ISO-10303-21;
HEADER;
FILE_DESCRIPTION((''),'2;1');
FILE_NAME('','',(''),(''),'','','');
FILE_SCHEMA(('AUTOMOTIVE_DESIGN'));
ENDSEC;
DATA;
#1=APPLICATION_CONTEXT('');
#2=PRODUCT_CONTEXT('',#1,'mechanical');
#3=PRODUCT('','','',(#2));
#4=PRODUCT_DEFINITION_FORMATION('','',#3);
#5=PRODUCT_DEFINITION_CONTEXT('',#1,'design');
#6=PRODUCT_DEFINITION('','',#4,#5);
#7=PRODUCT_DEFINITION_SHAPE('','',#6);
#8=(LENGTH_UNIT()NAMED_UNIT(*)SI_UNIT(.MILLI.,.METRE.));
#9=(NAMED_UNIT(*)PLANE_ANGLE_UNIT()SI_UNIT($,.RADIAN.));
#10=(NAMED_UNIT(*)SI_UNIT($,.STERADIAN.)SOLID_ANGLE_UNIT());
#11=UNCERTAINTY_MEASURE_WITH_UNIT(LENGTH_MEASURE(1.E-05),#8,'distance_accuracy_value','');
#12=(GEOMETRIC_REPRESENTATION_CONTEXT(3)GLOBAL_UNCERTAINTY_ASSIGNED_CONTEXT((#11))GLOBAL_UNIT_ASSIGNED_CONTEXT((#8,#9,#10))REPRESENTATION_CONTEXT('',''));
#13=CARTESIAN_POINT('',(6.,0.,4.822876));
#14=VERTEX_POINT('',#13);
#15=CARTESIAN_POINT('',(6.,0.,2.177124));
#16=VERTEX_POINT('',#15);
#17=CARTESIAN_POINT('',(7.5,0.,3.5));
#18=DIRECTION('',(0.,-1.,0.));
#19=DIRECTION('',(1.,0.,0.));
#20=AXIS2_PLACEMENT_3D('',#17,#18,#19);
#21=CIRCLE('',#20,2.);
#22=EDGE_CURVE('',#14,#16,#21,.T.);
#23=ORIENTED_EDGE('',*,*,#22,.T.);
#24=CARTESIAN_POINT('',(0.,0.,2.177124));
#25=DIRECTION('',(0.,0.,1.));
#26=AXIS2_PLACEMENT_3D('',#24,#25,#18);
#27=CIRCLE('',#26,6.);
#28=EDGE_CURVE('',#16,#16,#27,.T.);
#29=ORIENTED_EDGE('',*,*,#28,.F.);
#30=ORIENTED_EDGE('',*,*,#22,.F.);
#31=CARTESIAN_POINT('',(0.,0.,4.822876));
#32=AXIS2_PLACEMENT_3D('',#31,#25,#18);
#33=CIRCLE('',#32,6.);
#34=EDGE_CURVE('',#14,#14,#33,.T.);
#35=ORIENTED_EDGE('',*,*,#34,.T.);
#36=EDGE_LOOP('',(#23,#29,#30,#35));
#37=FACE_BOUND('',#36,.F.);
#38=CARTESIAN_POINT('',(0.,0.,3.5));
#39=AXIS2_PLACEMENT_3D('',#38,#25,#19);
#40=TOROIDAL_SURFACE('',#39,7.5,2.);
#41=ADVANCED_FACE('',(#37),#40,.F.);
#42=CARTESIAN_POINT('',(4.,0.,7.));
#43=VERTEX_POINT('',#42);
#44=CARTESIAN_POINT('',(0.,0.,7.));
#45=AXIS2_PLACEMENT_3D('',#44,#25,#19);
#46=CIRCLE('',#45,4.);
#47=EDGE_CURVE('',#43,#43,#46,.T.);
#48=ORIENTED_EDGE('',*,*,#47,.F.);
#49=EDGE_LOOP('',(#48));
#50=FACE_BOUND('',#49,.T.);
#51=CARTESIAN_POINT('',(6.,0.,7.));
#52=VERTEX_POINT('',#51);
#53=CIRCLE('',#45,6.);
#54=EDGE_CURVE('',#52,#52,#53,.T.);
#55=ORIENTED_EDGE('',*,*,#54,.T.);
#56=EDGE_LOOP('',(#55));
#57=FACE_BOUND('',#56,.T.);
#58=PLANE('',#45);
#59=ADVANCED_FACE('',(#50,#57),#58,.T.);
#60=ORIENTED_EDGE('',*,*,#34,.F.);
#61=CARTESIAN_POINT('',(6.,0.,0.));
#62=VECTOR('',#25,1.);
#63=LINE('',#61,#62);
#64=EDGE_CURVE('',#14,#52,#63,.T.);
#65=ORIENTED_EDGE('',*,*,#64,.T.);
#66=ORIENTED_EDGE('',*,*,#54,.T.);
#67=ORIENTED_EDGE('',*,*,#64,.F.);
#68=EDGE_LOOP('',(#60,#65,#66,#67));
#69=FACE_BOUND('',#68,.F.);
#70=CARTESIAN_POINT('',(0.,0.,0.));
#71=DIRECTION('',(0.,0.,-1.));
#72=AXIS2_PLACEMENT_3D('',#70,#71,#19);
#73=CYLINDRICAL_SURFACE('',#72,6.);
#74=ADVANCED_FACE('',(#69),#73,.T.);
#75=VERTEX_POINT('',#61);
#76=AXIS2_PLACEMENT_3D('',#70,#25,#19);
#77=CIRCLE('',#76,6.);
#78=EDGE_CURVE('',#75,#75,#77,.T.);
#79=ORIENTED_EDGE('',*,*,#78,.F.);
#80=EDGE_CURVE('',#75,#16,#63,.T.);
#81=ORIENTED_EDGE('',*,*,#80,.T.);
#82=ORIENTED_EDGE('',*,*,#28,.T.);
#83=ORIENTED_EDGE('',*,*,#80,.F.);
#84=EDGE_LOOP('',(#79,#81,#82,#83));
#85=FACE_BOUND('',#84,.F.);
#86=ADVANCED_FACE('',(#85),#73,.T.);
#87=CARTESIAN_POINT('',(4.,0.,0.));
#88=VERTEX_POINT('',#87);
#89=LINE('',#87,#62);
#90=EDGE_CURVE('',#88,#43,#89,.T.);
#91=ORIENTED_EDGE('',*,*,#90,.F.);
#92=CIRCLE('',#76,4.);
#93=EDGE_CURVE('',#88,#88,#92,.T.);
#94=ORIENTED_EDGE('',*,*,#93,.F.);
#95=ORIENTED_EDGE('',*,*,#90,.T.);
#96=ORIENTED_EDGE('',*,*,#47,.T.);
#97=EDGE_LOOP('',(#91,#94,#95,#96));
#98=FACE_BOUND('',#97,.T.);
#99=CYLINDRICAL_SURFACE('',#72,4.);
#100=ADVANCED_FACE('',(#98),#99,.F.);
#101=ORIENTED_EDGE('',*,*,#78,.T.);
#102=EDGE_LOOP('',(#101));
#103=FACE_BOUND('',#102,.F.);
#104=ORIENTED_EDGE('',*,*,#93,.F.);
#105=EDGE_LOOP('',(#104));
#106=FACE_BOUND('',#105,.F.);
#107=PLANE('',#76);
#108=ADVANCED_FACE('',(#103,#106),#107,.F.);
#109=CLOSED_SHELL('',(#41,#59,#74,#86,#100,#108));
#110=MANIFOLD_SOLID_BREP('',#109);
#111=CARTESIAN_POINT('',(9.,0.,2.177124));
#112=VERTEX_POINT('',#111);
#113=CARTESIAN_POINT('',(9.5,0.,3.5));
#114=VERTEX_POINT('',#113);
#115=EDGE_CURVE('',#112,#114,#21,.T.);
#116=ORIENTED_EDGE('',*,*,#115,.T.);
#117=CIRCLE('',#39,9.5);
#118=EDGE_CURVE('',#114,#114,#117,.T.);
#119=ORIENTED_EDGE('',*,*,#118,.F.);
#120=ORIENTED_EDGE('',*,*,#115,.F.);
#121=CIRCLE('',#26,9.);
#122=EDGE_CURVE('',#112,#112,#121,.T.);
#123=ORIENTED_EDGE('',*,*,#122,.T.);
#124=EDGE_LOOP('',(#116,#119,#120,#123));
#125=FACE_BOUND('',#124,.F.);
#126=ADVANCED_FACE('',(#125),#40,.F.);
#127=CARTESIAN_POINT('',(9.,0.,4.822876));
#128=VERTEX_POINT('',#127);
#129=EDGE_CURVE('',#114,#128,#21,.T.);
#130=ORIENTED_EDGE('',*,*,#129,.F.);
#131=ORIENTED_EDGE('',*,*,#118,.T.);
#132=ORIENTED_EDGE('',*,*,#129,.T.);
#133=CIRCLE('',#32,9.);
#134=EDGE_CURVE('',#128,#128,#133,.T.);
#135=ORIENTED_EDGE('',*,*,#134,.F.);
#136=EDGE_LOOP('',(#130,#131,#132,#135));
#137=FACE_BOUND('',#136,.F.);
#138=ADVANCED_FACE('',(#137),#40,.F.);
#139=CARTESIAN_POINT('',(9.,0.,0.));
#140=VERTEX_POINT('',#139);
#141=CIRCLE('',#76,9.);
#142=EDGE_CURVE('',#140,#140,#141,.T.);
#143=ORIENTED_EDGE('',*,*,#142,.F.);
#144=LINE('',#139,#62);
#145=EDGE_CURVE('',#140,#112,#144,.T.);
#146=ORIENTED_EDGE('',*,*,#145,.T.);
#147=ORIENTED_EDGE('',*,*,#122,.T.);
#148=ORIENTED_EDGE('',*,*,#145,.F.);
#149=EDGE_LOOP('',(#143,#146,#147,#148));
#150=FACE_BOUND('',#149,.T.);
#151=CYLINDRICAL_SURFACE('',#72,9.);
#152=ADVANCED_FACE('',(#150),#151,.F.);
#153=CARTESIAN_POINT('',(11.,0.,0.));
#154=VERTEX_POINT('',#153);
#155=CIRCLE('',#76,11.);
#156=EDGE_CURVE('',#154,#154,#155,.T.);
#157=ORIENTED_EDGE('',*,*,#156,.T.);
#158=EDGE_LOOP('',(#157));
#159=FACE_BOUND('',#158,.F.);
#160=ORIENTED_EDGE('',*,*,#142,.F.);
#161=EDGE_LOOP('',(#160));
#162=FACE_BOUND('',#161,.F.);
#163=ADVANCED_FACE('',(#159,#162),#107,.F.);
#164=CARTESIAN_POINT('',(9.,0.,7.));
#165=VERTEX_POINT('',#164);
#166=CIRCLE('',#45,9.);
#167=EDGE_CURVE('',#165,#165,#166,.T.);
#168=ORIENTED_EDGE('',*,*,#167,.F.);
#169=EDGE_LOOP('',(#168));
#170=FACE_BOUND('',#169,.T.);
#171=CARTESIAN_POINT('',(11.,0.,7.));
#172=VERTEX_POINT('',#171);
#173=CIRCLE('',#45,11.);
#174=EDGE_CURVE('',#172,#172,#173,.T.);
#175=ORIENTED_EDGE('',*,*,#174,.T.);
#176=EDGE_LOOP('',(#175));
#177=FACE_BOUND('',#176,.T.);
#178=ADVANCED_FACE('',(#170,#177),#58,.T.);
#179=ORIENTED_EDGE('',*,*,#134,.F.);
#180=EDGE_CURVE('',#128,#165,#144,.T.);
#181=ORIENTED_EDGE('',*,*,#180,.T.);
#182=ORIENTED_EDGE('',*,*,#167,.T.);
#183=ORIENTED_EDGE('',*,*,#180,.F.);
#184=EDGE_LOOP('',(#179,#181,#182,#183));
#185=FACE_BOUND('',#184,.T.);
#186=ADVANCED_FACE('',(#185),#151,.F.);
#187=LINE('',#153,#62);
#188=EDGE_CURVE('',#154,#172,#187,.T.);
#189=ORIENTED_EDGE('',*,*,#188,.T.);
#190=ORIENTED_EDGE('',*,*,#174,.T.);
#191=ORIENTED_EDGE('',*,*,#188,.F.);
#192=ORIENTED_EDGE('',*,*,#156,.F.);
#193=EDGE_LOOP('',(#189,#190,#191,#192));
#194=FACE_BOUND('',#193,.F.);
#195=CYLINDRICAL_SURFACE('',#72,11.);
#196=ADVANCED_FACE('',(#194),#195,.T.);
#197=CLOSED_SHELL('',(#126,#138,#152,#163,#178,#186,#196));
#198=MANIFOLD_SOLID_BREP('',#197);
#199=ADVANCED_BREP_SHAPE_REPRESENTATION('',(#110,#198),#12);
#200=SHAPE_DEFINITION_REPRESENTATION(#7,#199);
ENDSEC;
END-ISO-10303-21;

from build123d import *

# Parameters (mm, degrees)
TORUS_R           = 2
CYLINDER003_R     = 6
CYLINDER003_DEPTH = 7
CYLINDER002_R     = 9
CYLINDER002_DEPTH = 7
CYLINDER001_R     = 4
CYLINDER001_DEPTH = 7
CYLINDER_R        = 11
CYLINDER_DEPTH    = 7


with BuildPart() as torus:
    # Torus → Torus (revolve)
    with BuildSketch(Plane(origin=(0, 0, 3.5), x_dir=(1, 0, 0), z_dir=(0, -1, 0))):
        with Locations((7.5, 0)):
            Circle(TORUS_R)
    revolve(axis=Axis((0, 0, 3.5), (0, 0, 1)))


with BuildPart() as cylinder003:
    # Cylinder003 → Cylinder003 (new body)
    with BuildSketch(Plane.XY):
        Circle(CYLINDER003_R)
    extrude(amount=CYLINDER003_DEPTH)


with BuildPart() as cut005:
    # Cylinder002 → Cylinder002 (new body)
    with BuildSketch(Plane.XY):
        Circle(CYLINDER002_R)
    extrude(amount=CYLINDER002_DEPTH)

    # Cut005: cut Cylinder003
    add(cylinder003.part, mode=Mode.SUBTRACT)


with BuildPart() as cylinder001:
    # Cylinder001 → Cylinder001 (new body)
    with BuildSketch(Plane.XY):
        Circle(CYLINDER001_R)
    extrude(amount=CYLINDER001_DEPTH)


with BuildPart() as cut007:
    # Cylinder → Cylinder (new body)
    with BuildSketch(Plane.XY):
        Circle(CYLINDER_R)
    extrude(amount=CYLINDER_DEPTH)

    # Cut004: cut Cylinder001
    add(cylinder001.part, mode=Mode.SUBTRACT)

    # Cut006: cut Cut005
    add(cut005.part, mode=Mode.SUBTRACT)

    # Cut007: cut Torus
    add(torus.part, mode=Mode.SUBTRACT)


solid = cut007.part
